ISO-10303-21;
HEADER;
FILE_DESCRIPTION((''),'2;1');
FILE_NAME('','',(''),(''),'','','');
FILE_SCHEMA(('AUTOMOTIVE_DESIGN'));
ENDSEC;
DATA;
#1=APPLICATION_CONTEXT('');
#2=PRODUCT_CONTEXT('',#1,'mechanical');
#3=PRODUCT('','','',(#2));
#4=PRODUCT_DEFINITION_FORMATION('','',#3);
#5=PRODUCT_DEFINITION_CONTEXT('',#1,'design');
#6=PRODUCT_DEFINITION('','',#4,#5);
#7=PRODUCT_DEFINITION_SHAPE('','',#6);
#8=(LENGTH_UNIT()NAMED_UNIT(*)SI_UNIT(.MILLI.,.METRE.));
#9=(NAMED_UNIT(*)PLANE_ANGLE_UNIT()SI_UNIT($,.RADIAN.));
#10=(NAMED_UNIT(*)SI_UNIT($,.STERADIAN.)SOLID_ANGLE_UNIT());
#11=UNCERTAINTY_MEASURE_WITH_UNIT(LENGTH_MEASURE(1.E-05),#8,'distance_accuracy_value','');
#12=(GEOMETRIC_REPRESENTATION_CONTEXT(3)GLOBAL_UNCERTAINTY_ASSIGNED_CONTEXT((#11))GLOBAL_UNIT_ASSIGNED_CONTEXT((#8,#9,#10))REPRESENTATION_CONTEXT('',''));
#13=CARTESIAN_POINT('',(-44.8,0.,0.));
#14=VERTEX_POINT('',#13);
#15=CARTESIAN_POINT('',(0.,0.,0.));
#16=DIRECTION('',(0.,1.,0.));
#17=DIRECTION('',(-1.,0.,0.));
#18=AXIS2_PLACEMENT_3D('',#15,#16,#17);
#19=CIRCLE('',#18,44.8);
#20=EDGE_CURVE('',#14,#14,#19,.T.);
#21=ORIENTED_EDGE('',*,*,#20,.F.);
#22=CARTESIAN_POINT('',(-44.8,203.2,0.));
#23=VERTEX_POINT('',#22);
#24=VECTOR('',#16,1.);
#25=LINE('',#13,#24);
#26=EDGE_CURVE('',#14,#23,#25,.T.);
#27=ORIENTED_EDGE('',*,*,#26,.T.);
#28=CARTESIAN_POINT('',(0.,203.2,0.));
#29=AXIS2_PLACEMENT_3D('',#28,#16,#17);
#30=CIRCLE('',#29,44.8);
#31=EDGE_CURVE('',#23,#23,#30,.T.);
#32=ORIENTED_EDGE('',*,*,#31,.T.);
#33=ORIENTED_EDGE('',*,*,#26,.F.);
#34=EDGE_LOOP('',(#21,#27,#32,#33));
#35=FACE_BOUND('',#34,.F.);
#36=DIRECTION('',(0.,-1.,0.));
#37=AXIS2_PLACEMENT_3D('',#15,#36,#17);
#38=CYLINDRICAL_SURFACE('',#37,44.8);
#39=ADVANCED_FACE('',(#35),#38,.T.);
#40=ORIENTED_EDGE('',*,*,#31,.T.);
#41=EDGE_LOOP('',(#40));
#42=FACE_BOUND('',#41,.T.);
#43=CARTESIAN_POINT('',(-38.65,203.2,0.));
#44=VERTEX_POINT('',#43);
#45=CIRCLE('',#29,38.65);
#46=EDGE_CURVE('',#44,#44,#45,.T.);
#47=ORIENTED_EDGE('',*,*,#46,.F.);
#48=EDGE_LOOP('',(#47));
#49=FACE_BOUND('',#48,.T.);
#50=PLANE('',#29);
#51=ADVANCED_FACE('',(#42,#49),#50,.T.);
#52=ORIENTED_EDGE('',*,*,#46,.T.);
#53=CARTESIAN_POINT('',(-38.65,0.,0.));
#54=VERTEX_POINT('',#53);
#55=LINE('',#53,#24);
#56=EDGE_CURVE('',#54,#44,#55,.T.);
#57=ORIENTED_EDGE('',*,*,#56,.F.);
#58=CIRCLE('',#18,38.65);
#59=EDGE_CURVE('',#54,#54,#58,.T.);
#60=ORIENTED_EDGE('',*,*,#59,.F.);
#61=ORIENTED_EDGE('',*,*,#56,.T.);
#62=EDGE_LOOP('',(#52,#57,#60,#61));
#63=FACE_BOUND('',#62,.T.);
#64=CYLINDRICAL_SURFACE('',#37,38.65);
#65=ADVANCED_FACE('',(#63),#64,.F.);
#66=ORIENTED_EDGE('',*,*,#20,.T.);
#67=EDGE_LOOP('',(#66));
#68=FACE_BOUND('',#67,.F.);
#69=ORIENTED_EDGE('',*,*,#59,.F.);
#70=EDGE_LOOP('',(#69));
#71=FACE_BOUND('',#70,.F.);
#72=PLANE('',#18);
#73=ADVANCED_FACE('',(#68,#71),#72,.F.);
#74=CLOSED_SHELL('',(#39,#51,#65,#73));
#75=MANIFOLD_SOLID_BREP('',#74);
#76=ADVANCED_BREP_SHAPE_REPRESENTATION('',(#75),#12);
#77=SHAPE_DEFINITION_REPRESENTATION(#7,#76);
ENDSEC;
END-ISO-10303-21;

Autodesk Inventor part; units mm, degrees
ref_plane "YZ Plane" through (0, 0, 0) normal (1, 0, 0) x (0, 1, 0)
ref_plane "XZ Plane" through (0, 0, 0) normal (0, 1, 0) x (-1, 0, 0)
ref_plane "XY Plane" through (0, 0, 0) normal (0, 0, 1) x (1, 0, 0)
sketch "Sketch1" plane through (0, 0, 0) normal (0, 1, 0) x (-1, 0, 0)
  circle A0 centre (0, 0) radius 44.8
  circle A1 centre (0, 0) radius 38.65
  dimension "d0" = 89.6
  dimension "d1" = 77.3
extrude "Extrusion1" add sketch "Sketch1" along normal blind 203.2
properties part number "pvc 3 in tube"
